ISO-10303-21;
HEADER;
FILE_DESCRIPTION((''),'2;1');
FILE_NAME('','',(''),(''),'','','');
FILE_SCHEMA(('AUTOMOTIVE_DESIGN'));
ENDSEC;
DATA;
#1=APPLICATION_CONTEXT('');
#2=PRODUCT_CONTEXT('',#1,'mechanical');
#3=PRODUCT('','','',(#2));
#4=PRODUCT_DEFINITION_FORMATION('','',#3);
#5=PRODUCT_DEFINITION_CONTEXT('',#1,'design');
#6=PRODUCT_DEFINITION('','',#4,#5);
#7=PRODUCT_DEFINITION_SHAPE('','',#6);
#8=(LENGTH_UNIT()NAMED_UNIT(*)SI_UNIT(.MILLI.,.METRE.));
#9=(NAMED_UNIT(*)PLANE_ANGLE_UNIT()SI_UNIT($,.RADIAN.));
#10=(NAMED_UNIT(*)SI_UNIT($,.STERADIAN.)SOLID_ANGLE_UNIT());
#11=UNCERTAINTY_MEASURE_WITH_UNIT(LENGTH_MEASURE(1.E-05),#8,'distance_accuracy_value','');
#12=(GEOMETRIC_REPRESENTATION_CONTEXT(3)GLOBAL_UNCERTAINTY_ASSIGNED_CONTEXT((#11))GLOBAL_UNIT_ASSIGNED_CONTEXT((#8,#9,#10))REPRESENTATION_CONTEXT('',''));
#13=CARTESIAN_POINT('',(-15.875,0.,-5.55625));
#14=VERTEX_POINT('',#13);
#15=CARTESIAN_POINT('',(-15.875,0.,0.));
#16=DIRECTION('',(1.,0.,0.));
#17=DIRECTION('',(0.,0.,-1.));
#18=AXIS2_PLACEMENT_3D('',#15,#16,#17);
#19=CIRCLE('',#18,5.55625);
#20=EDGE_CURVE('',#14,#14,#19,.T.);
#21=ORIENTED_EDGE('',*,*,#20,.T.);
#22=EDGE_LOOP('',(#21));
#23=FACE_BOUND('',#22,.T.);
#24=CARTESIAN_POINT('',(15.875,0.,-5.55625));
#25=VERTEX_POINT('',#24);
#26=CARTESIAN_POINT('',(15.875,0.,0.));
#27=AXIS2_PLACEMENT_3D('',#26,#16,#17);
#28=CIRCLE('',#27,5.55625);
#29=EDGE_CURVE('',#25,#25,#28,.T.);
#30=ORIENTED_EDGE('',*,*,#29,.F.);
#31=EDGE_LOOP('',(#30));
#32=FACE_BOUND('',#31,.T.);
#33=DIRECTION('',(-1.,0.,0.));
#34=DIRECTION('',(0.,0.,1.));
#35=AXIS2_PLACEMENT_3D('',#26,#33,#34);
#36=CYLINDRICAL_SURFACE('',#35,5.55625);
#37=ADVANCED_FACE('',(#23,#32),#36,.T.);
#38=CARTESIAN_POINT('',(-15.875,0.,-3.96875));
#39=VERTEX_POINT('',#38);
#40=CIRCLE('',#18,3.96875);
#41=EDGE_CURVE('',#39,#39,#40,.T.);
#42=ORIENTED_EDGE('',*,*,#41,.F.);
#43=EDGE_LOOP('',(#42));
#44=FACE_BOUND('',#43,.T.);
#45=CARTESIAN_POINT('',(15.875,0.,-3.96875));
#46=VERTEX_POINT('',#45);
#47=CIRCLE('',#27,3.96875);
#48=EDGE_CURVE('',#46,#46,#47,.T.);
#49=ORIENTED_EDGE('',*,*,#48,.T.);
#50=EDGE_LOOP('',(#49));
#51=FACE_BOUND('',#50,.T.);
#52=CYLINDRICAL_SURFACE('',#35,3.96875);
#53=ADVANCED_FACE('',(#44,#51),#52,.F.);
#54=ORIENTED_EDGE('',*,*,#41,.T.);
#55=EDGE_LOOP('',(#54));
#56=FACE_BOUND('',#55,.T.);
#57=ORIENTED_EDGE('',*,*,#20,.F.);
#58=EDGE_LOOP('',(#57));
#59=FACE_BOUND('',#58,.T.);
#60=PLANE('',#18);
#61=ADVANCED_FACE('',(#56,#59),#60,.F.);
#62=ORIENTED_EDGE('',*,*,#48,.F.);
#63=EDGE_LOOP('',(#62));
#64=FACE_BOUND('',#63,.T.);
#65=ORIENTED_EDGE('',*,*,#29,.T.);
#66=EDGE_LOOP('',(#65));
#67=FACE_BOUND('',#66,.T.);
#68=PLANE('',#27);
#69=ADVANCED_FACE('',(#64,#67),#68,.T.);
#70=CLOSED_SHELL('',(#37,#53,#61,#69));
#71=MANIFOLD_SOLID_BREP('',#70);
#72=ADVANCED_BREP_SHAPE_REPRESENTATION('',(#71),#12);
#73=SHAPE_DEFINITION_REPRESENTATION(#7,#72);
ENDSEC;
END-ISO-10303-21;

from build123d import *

# Parameters (mm, degrees)
SKETCH1_R           = 5.55625
SKETCH1_R_2         = 3.96875
BOSS_EXTRUDE1_DEPTH = 15.875


with BuildPart() as part:
    # Sketch1 → Boss-Extrude1 (new body, symmetric)
    with BuildSketch(Plane(origin=(0, 0, 0), x_dir=(0, 0, -1), z_dir=(1, 0, 0))):
        Circle(SKETCH1_R)
        Circle(SKETCH1_R_2, mode=Mode.SUBTRACT)
    extrude(amount=BOSS_EXTRUDE1_DEPTH, both=True)


solid = part.part
